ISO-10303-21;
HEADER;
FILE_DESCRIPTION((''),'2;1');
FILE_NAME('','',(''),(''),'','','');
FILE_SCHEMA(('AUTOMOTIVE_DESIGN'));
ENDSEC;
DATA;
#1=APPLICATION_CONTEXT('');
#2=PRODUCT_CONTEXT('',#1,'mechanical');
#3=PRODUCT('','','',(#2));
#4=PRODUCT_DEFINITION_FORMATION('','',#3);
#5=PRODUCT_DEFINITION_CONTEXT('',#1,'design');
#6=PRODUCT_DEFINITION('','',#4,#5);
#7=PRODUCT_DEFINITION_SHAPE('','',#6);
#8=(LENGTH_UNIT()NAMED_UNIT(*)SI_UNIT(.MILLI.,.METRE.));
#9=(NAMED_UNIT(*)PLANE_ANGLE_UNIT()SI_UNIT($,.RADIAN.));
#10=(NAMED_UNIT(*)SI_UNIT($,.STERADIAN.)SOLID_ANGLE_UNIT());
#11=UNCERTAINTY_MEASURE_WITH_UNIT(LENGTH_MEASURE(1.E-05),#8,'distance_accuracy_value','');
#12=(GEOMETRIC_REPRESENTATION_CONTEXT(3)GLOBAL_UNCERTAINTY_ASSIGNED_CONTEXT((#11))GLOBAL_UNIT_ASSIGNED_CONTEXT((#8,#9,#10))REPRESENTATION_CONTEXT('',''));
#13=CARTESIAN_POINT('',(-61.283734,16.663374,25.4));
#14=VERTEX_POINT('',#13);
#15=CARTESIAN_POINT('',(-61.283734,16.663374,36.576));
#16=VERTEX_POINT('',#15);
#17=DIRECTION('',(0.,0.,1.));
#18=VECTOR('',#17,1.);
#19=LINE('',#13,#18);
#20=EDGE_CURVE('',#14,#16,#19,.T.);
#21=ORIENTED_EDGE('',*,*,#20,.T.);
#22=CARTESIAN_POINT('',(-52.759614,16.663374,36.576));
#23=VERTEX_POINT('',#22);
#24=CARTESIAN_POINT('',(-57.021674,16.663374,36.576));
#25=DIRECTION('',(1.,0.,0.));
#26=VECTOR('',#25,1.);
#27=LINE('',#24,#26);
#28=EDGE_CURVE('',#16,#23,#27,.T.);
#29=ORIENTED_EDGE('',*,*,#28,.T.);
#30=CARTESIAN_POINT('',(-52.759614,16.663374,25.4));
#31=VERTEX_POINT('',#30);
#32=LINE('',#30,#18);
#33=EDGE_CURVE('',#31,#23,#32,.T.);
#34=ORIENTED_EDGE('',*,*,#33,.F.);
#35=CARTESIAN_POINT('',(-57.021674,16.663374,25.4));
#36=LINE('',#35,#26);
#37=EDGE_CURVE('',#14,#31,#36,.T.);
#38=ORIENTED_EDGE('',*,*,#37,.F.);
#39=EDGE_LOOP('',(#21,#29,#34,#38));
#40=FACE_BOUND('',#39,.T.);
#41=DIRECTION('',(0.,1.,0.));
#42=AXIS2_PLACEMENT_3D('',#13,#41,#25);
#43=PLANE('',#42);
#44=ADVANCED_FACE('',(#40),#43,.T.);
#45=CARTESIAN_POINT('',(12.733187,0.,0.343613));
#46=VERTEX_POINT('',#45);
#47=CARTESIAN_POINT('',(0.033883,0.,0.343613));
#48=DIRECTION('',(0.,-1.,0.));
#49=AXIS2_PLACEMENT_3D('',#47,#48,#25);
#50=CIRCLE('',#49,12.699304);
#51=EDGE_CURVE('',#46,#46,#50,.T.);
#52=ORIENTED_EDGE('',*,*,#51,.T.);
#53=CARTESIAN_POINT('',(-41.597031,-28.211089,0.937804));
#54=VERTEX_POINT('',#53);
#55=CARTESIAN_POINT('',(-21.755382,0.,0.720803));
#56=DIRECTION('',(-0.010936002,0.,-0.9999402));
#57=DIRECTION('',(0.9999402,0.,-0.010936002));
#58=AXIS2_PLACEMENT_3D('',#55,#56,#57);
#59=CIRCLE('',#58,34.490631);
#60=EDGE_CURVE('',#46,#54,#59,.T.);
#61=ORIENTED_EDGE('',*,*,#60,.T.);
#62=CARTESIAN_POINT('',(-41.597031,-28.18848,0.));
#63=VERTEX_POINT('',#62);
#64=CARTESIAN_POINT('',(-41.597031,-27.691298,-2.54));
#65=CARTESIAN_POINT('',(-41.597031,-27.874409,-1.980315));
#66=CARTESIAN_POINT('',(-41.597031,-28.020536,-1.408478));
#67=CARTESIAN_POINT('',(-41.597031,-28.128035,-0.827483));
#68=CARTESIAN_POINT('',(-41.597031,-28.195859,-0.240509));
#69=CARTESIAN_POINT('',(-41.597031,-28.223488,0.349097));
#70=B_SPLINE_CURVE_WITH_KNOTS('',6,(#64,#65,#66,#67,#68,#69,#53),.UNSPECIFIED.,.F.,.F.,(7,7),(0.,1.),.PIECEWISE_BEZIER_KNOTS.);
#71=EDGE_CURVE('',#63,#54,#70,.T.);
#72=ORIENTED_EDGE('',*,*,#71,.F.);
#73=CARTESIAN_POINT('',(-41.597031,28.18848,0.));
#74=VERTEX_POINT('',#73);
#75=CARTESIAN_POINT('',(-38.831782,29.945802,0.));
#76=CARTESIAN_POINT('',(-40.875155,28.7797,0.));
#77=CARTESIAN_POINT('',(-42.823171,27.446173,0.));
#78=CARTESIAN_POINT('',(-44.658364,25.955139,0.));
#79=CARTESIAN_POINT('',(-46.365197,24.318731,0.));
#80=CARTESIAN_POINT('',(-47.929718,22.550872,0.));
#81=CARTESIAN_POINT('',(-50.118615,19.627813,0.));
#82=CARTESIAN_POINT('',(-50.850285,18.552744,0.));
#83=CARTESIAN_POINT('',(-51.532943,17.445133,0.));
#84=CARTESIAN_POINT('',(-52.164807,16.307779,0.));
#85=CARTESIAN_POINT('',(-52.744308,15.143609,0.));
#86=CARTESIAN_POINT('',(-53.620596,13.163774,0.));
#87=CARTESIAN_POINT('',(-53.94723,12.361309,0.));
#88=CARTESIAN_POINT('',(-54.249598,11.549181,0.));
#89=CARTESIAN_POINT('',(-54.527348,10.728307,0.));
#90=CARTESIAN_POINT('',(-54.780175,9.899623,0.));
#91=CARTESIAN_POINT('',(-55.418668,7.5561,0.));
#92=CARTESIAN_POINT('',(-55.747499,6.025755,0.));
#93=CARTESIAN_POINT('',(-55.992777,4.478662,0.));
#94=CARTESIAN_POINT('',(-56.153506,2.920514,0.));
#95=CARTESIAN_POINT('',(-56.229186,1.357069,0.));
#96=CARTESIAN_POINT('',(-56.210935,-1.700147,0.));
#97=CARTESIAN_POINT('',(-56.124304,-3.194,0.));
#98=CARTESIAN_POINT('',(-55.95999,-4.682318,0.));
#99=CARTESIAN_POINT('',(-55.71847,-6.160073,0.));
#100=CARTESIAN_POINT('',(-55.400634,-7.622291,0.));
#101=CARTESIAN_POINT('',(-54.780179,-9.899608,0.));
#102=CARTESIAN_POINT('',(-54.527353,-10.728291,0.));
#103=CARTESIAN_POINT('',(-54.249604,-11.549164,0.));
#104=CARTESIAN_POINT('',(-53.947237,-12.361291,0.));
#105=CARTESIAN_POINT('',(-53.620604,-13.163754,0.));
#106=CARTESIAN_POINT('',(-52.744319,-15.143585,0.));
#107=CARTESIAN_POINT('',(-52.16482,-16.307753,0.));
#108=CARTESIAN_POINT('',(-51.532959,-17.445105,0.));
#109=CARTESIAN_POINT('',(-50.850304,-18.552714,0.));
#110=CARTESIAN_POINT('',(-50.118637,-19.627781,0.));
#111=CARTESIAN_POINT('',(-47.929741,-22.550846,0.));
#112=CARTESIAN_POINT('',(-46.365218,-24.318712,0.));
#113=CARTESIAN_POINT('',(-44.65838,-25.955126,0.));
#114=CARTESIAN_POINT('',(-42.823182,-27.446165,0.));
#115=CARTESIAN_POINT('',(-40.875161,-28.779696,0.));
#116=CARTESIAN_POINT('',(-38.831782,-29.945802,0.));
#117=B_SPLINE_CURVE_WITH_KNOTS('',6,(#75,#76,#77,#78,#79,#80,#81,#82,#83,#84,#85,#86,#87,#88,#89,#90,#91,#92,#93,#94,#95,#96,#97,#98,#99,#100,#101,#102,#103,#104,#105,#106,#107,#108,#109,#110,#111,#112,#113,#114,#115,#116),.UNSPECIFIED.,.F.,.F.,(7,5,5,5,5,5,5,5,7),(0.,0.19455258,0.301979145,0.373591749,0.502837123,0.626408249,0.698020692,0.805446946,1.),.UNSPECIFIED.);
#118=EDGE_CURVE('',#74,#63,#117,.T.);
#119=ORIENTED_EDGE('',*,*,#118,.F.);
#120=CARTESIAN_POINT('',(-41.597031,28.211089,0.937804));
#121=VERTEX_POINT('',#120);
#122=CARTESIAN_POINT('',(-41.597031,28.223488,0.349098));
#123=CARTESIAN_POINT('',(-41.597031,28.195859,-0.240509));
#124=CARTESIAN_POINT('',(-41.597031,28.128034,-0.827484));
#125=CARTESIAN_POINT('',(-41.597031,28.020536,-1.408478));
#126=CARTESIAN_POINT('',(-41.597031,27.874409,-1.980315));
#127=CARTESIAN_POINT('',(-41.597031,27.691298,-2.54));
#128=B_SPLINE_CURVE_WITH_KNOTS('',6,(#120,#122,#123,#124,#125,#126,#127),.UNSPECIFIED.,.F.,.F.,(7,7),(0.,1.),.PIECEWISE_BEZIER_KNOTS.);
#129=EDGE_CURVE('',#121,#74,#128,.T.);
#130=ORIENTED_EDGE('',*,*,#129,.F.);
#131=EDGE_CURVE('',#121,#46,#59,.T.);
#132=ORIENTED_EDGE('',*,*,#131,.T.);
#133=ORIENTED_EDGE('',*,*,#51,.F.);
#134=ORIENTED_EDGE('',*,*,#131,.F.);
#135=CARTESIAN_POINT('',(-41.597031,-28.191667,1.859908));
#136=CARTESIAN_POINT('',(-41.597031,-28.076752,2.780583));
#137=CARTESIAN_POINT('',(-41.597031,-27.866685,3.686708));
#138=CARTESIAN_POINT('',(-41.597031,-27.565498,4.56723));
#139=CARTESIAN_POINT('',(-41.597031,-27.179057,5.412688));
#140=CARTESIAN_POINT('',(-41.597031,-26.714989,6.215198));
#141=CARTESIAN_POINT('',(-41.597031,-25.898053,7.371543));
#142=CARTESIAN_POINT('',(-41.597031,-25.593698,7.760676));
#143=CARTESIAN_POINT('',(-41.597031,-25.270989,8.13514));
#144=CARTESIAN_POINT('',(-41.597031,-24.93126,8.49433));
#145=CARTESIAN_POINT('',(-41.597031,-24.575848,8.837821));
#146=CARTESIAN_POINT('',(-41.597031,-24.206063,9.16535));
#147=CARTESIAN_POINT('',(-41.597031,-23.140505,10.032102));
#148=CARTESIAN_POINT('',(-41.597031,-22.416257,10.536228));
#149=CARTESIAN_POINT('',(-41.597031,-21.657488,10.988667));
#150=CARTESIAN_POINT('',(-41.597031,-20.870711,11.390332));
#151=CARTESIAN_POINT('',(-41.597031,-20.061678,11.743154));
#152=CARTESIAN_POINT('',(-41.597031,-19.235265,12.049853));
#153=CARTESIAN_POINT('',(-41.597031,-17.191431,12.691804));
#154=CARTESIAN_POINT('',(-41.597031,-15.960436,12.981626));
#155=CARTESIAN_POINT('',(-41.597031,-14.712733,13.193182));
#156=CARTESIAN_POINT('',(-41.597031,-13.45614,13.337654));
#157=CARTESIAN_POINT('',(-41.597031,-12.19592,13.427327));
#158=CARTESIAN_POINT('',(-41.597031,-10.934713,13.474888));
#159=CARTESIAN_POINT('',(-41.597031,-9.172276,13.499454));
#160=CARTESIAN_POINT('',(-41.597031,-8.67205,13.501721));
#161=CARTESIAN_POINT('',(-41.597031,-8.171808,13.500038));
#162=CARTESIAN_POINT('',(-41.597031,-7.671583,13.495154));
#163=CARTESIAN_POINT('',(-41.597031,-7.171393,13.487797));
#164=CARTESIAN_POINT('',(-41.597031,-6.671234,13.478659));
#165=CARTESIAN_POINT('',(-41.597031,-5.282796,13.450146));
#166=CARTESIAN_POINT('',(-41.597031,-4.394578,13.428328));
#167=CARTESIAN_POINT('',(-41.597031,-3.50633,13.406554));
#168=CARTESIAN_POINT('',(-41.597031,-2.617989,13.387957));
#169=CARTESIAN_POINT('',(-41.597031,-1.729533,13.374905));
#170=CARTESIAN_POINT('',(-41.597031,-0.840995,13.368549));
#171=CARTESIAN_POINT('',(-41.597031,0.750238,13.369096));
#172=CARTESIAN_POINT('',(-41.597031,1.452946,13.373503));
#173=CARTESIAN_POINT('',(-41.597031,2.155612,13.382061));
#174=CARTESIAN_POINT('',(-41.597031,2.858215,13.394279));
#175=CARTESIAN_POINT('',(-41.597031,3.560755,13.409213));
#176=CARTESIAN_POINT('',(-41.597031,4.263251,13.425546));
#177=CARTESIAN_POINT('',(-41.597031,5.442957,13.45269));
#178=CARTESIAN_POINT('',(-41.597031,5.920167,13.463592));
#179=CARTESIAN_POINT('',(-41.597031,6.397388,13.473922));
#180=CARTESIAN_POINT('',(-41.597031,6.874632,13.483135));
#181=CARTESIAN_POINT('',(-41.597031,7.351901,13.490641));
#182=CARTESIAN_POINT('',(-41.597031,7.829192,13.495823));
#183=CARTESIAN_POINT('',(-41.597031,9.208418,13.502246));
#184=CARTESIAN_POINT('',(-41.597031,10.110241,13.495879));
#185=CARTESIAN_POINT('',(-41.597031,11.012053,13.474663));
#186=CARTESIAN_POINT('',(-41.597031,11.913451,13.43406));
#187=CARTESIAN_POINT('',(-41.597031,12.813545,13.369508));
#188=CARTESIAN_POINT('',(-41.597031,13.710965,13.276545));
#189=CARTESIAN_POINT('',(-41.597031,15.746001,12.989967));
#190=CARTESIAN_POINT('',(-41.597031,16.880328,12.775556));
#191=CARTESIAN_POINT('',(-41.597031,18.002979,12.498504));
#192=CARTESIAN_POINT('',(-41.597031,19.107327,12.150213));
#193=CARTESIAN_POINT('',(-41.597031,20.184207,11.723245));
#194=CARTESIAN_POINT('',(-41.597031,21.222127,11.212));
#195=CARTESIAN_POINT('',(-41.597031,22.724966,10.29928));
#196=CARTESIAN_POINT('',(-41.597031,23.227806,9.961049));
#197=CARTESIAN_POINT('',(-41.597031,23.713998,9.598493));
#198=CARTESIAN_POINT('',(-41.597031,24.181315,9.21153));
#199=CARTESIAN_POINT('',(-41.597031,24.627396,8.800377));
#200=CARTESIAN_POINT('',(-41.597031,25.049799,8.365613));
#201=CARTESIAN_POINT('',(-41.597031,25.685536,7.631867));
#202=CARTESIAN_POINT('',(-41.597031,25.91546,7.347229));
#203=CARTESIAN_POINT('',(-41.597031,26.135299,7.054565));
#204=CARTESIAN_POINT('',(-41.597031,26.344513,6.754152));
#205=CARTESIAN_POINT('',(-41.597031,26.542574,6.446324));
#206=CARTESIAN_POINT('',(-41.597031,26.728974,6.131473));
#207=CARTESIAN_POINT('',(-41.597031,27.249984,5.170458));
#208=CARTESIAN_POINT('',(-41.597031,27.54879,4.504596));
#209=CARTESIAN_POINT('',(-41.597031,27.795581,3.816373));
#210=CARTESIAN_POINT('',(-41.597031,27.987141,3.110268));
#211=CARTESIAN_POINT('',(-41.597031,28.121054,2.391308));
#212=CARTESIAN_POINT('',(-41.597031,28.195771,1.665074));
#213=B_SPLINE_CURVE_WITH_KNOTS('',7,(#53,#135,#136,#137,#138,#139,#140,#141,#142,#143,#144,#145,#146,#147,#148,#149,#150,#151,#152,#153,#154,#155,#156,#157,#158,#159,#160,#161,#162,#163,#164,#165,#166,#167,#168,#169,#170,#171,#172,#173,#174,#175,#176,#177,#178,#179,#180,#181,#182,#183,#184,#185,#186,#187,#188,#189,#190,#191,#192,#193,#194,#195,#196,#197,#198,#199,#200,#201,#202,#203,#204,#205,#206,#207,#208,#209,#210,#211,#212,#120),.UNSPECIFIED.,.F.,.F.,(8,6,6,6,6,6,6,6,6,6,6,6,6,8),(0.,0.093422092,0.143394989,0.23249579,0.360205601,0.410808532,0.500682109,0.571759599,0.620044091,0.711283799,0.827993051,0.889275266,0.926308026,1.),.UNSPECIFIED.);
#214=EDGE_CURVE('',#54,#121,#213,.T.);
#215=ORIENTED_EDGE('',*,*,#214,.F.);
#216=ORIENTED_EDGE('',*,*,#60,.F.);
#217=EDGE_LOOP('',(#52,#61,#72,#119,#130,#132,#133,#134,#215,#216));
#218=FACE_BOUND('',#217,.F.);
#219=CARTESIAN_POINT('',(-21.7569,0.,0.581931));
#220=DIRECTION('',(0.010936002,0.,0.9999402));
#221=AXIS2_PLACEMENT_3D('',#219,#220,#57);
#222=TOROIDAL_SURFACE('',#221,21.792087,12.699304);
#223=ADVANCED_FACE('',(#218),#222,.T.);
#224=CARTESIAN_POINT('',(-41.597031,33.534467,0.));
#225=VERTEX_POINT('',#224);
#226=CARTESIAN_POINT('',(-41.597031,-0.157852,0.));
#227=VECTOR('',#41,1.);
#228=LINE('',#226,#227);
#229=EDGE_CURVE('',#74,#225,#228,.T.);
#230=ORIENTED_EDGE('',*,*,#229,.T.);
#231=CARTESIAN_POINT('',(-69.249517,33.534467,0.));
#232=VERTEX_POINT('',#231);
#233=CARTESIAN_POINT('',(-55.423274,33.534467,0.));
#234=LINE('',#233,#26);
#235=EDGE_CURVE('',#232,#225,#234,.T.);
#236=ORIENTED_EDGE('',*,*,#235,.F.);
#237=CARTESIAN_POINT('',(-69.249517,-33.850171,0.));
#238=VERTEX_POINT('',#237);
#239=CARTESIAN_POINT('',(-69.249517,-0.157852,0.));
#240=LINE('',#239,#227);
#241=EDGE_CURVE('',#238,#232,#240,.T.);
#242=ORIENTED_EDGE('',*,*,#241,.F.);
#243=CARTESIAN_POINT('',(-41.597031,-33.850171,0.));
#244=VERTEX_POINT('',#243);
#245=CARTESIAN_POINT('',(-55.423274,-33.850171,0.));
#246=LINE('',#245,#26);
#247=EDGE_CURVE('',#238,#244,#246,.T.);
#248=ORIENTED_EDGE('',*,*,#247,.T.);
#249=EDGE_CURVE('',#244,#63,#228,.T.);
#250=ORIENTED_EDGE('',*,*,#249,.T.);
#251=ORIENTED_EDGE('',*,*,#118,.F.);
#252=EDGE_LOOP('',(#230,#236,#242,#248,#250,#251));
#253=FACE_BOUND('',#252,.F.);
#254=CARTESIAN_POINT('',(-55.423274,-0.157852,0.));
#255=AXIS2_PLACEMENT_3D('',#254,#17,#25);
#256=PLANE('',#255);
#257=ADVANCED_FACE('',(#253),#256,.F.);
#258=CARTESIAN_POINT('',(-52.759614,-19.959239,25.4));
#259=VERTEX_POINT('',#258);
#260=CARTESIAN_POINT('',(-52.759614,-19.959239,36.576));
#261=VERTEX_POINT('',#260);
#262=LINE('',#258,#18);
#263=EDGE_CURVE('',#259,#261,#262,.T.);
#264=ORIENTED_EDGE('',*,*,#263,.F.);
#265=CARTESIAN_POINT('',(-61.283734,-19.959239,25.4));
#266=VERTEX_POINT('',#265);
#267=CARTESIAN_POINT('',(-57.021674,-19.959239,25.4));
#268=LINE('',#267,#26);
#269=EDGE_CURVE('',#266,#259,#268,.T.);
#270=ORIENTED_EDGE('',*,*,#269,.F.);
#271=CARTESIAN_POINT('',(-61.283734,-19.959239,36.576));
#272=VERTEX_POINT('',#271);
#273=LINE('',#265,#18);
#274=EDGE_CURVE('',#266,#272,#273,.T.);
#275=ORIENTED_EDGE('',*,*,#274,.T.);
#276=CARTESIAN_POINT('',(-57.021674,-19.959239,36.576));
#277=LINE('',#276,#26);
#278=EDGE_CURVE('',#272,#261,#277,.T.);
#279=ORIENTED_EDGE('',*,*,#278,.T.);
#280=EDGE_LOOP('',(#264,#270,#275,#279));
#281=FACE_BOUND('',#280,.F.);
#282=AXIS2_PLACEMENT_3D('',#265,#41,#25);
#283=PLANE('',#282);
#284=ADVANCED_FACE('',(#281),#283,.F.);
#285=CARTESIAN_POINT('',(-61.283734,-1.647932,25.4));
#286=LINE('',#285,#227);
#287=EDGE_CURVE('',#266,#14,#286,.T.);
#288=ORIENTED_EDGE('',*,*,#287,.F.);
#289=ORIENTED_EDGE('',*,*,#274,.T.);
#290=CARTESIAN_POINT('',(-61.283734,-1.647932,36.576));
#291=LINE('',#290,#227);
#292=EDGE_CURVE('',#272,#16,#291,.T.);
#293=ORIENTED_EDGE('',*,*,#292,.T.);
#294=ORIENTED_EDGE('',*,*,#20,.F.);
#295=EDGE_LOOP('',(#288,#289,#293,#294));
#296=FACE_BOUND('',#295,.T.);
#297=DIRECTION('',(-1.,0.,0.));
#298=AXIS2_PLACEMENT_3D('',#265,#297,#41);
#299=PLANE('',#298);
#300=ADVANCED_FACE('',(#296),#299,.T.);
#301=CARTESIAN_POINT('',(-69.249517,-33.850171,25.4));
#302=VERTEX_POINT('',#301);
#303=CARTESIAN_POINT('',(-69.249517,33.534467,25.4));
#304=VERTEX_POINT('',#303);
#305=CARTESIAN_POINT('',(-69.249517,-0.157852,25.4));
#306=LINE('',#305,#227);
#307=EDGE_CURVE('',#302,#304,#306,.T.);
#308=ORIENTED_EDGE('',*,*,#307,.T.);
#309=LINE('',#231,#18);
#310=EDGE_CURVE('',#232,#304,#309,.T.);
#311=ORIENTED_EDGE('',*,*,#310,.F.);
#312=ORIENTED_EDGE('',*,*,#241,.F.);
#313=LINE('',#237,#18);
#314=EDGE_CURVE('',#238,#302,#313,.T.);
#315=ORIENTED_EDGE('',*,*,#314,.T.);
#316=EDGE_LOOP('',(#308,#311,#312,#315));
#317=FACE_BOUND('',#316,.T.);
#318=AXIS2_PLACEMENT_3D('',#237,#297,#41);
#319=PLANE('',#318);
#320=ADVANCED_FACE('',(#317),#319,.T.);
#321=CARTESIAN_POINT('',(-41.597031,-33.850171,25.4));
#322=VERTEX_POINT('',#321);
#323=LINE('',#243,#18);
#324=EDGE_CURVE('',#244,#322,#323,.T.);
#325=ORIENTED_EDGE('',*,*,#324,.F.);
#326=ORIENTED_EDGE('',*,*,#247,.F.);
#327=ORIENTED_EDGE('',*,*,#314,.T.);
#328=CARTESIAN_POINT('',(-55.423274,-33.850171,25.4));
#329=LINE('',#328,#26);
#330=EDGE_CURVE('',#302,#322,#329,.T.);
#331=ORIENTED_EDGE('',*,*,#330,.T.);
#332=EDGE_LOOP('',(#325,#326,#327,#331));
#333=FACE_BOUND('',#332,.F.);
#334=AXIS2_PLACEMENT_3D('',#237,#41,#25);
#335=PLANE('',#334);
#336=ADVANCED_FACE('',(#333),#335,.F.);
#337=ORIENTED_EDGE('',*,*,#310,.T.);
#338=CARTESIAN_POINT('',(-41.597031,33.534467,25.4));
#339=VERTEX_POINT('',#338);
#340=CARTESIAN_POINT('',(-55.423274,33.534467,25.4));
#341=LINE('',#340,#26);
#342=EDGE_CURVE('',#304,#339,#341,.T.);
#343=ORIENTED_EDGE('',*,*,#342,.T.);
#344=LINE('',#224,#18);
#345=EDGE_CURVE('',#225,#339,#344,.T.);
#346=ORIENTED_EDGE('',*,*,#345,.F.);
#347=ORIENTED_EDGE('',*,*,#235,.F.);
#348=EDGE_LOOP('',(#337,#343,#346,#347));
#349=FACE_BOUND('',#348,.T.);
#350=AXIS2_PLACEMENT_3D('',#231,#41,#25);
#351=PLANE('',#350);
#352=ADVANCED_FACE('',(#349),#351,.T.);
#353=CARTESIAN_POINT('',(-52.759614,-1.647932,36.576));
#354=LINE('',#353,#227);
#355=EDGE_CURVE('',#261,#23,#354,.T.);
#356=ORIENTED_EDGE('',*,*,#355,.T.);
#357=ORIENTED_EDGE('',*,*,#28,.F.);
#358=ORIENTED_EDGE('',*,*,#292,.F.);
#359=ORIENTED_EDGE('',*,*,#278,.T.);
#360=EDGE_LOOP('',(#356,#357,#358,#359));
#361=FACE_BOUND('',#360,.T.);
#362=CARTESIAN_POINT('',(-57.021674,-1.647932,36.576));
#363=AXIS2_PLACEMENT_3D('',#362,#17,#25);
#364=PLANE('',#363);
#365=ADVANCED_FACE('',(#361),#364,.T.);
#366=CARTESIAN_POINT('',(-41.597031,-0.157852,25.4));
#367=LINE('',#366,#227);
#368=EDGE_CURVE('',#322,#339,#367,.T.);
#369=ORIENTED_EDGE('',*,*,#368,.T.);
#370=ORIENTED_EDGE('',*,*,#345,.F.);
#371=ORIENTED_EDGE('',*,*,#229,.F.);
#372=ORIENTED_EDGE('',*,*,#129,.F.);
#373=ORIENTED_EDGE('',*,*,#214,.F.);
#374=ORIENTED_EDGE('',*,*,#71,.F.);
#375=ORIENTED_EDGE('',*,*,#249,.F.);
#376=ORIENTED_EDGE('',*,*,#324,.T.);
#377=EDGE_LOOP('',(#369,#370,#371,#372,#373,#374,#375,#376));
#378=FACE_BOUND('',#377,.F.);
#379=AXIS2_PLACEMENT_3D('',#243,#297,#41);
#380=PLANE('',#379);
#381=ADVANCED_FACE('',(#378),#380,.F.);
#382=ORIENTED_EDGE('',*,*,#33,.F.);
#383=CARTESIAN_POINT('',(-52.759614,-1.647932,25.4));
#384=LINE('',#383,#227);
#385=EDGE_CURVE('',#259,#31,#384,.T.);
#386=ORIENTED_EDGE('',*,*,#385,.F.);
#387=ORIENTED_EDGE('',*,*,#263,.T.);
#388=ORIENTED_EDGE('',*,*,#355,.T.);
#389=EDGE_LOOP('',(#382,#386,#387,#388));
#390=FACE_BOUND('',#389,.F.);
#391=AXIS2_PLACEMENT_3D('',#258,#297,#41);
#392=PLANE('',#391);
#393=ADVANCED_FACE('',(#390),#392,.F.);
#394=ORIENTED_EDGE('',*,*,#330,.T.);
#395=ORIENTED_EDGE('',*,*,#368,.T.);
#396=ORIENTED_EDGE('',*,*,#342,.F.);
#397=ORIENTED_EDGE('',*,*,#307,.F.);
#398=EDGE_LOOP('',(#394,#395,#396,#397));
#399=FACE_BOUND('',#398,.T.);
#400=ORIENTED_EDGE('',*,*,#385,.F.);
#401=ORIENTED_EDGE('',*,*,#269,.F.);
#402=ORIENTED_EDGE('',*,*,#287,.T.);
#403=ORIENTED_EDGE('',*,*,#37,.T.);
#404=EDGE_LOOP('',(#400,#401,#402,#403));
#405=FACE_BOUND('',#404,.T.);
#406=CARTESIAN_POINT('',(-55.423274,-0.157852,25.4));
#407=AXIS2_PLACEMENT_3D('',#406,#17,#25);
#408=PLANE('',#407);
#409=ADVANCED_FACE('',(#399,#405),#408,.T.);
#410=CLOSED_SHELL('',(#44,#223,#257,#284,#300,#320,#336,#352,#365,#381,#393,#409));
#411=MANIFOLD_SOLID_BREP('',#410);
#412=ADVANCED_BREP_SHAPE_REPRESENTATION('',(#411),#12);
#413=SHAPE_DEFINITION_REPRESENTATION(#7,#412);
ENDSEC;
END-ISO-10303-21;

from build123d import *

# Parameters (mm, degrees)
F0_R     = 12.699304
F3_W     = 27.652487
F3_H     = 67.384638
F4_DEPTH = 25.4
F5_W     = 8.52412
F5_H     = 36.622613
F6_DEPTH = 11.176


with BuildPart() as f2:
    # F0 (on Front) → F2 (revolve)
    with BuildSketch(Plane.XZ):
        with Locations((0.033883, 0.343613)):
            Circle(F0_R)
    revolve(axis=Axis((-22.052867, 0, -26.479952), (-0.010936, 0, -0.99994)))

    # F3 (on Top) → F4 (join)
    with BuildSketch(Plane.XY):
        with Locations((-55.423274, -0.157852)):
            Rectangle(F3_W, F3_H)
    extrude(amount=F4_DEPTH)

    # F5 (on face) → F6 (join)
    with BuildSketch(Plane.XY.offset(25.4)):
        with Locations((-57.021674, -1.647932)):
            Rectangle(F5_W, F5_H)
    extrude(amount=F6_DEPTH)


solid = f2.part
